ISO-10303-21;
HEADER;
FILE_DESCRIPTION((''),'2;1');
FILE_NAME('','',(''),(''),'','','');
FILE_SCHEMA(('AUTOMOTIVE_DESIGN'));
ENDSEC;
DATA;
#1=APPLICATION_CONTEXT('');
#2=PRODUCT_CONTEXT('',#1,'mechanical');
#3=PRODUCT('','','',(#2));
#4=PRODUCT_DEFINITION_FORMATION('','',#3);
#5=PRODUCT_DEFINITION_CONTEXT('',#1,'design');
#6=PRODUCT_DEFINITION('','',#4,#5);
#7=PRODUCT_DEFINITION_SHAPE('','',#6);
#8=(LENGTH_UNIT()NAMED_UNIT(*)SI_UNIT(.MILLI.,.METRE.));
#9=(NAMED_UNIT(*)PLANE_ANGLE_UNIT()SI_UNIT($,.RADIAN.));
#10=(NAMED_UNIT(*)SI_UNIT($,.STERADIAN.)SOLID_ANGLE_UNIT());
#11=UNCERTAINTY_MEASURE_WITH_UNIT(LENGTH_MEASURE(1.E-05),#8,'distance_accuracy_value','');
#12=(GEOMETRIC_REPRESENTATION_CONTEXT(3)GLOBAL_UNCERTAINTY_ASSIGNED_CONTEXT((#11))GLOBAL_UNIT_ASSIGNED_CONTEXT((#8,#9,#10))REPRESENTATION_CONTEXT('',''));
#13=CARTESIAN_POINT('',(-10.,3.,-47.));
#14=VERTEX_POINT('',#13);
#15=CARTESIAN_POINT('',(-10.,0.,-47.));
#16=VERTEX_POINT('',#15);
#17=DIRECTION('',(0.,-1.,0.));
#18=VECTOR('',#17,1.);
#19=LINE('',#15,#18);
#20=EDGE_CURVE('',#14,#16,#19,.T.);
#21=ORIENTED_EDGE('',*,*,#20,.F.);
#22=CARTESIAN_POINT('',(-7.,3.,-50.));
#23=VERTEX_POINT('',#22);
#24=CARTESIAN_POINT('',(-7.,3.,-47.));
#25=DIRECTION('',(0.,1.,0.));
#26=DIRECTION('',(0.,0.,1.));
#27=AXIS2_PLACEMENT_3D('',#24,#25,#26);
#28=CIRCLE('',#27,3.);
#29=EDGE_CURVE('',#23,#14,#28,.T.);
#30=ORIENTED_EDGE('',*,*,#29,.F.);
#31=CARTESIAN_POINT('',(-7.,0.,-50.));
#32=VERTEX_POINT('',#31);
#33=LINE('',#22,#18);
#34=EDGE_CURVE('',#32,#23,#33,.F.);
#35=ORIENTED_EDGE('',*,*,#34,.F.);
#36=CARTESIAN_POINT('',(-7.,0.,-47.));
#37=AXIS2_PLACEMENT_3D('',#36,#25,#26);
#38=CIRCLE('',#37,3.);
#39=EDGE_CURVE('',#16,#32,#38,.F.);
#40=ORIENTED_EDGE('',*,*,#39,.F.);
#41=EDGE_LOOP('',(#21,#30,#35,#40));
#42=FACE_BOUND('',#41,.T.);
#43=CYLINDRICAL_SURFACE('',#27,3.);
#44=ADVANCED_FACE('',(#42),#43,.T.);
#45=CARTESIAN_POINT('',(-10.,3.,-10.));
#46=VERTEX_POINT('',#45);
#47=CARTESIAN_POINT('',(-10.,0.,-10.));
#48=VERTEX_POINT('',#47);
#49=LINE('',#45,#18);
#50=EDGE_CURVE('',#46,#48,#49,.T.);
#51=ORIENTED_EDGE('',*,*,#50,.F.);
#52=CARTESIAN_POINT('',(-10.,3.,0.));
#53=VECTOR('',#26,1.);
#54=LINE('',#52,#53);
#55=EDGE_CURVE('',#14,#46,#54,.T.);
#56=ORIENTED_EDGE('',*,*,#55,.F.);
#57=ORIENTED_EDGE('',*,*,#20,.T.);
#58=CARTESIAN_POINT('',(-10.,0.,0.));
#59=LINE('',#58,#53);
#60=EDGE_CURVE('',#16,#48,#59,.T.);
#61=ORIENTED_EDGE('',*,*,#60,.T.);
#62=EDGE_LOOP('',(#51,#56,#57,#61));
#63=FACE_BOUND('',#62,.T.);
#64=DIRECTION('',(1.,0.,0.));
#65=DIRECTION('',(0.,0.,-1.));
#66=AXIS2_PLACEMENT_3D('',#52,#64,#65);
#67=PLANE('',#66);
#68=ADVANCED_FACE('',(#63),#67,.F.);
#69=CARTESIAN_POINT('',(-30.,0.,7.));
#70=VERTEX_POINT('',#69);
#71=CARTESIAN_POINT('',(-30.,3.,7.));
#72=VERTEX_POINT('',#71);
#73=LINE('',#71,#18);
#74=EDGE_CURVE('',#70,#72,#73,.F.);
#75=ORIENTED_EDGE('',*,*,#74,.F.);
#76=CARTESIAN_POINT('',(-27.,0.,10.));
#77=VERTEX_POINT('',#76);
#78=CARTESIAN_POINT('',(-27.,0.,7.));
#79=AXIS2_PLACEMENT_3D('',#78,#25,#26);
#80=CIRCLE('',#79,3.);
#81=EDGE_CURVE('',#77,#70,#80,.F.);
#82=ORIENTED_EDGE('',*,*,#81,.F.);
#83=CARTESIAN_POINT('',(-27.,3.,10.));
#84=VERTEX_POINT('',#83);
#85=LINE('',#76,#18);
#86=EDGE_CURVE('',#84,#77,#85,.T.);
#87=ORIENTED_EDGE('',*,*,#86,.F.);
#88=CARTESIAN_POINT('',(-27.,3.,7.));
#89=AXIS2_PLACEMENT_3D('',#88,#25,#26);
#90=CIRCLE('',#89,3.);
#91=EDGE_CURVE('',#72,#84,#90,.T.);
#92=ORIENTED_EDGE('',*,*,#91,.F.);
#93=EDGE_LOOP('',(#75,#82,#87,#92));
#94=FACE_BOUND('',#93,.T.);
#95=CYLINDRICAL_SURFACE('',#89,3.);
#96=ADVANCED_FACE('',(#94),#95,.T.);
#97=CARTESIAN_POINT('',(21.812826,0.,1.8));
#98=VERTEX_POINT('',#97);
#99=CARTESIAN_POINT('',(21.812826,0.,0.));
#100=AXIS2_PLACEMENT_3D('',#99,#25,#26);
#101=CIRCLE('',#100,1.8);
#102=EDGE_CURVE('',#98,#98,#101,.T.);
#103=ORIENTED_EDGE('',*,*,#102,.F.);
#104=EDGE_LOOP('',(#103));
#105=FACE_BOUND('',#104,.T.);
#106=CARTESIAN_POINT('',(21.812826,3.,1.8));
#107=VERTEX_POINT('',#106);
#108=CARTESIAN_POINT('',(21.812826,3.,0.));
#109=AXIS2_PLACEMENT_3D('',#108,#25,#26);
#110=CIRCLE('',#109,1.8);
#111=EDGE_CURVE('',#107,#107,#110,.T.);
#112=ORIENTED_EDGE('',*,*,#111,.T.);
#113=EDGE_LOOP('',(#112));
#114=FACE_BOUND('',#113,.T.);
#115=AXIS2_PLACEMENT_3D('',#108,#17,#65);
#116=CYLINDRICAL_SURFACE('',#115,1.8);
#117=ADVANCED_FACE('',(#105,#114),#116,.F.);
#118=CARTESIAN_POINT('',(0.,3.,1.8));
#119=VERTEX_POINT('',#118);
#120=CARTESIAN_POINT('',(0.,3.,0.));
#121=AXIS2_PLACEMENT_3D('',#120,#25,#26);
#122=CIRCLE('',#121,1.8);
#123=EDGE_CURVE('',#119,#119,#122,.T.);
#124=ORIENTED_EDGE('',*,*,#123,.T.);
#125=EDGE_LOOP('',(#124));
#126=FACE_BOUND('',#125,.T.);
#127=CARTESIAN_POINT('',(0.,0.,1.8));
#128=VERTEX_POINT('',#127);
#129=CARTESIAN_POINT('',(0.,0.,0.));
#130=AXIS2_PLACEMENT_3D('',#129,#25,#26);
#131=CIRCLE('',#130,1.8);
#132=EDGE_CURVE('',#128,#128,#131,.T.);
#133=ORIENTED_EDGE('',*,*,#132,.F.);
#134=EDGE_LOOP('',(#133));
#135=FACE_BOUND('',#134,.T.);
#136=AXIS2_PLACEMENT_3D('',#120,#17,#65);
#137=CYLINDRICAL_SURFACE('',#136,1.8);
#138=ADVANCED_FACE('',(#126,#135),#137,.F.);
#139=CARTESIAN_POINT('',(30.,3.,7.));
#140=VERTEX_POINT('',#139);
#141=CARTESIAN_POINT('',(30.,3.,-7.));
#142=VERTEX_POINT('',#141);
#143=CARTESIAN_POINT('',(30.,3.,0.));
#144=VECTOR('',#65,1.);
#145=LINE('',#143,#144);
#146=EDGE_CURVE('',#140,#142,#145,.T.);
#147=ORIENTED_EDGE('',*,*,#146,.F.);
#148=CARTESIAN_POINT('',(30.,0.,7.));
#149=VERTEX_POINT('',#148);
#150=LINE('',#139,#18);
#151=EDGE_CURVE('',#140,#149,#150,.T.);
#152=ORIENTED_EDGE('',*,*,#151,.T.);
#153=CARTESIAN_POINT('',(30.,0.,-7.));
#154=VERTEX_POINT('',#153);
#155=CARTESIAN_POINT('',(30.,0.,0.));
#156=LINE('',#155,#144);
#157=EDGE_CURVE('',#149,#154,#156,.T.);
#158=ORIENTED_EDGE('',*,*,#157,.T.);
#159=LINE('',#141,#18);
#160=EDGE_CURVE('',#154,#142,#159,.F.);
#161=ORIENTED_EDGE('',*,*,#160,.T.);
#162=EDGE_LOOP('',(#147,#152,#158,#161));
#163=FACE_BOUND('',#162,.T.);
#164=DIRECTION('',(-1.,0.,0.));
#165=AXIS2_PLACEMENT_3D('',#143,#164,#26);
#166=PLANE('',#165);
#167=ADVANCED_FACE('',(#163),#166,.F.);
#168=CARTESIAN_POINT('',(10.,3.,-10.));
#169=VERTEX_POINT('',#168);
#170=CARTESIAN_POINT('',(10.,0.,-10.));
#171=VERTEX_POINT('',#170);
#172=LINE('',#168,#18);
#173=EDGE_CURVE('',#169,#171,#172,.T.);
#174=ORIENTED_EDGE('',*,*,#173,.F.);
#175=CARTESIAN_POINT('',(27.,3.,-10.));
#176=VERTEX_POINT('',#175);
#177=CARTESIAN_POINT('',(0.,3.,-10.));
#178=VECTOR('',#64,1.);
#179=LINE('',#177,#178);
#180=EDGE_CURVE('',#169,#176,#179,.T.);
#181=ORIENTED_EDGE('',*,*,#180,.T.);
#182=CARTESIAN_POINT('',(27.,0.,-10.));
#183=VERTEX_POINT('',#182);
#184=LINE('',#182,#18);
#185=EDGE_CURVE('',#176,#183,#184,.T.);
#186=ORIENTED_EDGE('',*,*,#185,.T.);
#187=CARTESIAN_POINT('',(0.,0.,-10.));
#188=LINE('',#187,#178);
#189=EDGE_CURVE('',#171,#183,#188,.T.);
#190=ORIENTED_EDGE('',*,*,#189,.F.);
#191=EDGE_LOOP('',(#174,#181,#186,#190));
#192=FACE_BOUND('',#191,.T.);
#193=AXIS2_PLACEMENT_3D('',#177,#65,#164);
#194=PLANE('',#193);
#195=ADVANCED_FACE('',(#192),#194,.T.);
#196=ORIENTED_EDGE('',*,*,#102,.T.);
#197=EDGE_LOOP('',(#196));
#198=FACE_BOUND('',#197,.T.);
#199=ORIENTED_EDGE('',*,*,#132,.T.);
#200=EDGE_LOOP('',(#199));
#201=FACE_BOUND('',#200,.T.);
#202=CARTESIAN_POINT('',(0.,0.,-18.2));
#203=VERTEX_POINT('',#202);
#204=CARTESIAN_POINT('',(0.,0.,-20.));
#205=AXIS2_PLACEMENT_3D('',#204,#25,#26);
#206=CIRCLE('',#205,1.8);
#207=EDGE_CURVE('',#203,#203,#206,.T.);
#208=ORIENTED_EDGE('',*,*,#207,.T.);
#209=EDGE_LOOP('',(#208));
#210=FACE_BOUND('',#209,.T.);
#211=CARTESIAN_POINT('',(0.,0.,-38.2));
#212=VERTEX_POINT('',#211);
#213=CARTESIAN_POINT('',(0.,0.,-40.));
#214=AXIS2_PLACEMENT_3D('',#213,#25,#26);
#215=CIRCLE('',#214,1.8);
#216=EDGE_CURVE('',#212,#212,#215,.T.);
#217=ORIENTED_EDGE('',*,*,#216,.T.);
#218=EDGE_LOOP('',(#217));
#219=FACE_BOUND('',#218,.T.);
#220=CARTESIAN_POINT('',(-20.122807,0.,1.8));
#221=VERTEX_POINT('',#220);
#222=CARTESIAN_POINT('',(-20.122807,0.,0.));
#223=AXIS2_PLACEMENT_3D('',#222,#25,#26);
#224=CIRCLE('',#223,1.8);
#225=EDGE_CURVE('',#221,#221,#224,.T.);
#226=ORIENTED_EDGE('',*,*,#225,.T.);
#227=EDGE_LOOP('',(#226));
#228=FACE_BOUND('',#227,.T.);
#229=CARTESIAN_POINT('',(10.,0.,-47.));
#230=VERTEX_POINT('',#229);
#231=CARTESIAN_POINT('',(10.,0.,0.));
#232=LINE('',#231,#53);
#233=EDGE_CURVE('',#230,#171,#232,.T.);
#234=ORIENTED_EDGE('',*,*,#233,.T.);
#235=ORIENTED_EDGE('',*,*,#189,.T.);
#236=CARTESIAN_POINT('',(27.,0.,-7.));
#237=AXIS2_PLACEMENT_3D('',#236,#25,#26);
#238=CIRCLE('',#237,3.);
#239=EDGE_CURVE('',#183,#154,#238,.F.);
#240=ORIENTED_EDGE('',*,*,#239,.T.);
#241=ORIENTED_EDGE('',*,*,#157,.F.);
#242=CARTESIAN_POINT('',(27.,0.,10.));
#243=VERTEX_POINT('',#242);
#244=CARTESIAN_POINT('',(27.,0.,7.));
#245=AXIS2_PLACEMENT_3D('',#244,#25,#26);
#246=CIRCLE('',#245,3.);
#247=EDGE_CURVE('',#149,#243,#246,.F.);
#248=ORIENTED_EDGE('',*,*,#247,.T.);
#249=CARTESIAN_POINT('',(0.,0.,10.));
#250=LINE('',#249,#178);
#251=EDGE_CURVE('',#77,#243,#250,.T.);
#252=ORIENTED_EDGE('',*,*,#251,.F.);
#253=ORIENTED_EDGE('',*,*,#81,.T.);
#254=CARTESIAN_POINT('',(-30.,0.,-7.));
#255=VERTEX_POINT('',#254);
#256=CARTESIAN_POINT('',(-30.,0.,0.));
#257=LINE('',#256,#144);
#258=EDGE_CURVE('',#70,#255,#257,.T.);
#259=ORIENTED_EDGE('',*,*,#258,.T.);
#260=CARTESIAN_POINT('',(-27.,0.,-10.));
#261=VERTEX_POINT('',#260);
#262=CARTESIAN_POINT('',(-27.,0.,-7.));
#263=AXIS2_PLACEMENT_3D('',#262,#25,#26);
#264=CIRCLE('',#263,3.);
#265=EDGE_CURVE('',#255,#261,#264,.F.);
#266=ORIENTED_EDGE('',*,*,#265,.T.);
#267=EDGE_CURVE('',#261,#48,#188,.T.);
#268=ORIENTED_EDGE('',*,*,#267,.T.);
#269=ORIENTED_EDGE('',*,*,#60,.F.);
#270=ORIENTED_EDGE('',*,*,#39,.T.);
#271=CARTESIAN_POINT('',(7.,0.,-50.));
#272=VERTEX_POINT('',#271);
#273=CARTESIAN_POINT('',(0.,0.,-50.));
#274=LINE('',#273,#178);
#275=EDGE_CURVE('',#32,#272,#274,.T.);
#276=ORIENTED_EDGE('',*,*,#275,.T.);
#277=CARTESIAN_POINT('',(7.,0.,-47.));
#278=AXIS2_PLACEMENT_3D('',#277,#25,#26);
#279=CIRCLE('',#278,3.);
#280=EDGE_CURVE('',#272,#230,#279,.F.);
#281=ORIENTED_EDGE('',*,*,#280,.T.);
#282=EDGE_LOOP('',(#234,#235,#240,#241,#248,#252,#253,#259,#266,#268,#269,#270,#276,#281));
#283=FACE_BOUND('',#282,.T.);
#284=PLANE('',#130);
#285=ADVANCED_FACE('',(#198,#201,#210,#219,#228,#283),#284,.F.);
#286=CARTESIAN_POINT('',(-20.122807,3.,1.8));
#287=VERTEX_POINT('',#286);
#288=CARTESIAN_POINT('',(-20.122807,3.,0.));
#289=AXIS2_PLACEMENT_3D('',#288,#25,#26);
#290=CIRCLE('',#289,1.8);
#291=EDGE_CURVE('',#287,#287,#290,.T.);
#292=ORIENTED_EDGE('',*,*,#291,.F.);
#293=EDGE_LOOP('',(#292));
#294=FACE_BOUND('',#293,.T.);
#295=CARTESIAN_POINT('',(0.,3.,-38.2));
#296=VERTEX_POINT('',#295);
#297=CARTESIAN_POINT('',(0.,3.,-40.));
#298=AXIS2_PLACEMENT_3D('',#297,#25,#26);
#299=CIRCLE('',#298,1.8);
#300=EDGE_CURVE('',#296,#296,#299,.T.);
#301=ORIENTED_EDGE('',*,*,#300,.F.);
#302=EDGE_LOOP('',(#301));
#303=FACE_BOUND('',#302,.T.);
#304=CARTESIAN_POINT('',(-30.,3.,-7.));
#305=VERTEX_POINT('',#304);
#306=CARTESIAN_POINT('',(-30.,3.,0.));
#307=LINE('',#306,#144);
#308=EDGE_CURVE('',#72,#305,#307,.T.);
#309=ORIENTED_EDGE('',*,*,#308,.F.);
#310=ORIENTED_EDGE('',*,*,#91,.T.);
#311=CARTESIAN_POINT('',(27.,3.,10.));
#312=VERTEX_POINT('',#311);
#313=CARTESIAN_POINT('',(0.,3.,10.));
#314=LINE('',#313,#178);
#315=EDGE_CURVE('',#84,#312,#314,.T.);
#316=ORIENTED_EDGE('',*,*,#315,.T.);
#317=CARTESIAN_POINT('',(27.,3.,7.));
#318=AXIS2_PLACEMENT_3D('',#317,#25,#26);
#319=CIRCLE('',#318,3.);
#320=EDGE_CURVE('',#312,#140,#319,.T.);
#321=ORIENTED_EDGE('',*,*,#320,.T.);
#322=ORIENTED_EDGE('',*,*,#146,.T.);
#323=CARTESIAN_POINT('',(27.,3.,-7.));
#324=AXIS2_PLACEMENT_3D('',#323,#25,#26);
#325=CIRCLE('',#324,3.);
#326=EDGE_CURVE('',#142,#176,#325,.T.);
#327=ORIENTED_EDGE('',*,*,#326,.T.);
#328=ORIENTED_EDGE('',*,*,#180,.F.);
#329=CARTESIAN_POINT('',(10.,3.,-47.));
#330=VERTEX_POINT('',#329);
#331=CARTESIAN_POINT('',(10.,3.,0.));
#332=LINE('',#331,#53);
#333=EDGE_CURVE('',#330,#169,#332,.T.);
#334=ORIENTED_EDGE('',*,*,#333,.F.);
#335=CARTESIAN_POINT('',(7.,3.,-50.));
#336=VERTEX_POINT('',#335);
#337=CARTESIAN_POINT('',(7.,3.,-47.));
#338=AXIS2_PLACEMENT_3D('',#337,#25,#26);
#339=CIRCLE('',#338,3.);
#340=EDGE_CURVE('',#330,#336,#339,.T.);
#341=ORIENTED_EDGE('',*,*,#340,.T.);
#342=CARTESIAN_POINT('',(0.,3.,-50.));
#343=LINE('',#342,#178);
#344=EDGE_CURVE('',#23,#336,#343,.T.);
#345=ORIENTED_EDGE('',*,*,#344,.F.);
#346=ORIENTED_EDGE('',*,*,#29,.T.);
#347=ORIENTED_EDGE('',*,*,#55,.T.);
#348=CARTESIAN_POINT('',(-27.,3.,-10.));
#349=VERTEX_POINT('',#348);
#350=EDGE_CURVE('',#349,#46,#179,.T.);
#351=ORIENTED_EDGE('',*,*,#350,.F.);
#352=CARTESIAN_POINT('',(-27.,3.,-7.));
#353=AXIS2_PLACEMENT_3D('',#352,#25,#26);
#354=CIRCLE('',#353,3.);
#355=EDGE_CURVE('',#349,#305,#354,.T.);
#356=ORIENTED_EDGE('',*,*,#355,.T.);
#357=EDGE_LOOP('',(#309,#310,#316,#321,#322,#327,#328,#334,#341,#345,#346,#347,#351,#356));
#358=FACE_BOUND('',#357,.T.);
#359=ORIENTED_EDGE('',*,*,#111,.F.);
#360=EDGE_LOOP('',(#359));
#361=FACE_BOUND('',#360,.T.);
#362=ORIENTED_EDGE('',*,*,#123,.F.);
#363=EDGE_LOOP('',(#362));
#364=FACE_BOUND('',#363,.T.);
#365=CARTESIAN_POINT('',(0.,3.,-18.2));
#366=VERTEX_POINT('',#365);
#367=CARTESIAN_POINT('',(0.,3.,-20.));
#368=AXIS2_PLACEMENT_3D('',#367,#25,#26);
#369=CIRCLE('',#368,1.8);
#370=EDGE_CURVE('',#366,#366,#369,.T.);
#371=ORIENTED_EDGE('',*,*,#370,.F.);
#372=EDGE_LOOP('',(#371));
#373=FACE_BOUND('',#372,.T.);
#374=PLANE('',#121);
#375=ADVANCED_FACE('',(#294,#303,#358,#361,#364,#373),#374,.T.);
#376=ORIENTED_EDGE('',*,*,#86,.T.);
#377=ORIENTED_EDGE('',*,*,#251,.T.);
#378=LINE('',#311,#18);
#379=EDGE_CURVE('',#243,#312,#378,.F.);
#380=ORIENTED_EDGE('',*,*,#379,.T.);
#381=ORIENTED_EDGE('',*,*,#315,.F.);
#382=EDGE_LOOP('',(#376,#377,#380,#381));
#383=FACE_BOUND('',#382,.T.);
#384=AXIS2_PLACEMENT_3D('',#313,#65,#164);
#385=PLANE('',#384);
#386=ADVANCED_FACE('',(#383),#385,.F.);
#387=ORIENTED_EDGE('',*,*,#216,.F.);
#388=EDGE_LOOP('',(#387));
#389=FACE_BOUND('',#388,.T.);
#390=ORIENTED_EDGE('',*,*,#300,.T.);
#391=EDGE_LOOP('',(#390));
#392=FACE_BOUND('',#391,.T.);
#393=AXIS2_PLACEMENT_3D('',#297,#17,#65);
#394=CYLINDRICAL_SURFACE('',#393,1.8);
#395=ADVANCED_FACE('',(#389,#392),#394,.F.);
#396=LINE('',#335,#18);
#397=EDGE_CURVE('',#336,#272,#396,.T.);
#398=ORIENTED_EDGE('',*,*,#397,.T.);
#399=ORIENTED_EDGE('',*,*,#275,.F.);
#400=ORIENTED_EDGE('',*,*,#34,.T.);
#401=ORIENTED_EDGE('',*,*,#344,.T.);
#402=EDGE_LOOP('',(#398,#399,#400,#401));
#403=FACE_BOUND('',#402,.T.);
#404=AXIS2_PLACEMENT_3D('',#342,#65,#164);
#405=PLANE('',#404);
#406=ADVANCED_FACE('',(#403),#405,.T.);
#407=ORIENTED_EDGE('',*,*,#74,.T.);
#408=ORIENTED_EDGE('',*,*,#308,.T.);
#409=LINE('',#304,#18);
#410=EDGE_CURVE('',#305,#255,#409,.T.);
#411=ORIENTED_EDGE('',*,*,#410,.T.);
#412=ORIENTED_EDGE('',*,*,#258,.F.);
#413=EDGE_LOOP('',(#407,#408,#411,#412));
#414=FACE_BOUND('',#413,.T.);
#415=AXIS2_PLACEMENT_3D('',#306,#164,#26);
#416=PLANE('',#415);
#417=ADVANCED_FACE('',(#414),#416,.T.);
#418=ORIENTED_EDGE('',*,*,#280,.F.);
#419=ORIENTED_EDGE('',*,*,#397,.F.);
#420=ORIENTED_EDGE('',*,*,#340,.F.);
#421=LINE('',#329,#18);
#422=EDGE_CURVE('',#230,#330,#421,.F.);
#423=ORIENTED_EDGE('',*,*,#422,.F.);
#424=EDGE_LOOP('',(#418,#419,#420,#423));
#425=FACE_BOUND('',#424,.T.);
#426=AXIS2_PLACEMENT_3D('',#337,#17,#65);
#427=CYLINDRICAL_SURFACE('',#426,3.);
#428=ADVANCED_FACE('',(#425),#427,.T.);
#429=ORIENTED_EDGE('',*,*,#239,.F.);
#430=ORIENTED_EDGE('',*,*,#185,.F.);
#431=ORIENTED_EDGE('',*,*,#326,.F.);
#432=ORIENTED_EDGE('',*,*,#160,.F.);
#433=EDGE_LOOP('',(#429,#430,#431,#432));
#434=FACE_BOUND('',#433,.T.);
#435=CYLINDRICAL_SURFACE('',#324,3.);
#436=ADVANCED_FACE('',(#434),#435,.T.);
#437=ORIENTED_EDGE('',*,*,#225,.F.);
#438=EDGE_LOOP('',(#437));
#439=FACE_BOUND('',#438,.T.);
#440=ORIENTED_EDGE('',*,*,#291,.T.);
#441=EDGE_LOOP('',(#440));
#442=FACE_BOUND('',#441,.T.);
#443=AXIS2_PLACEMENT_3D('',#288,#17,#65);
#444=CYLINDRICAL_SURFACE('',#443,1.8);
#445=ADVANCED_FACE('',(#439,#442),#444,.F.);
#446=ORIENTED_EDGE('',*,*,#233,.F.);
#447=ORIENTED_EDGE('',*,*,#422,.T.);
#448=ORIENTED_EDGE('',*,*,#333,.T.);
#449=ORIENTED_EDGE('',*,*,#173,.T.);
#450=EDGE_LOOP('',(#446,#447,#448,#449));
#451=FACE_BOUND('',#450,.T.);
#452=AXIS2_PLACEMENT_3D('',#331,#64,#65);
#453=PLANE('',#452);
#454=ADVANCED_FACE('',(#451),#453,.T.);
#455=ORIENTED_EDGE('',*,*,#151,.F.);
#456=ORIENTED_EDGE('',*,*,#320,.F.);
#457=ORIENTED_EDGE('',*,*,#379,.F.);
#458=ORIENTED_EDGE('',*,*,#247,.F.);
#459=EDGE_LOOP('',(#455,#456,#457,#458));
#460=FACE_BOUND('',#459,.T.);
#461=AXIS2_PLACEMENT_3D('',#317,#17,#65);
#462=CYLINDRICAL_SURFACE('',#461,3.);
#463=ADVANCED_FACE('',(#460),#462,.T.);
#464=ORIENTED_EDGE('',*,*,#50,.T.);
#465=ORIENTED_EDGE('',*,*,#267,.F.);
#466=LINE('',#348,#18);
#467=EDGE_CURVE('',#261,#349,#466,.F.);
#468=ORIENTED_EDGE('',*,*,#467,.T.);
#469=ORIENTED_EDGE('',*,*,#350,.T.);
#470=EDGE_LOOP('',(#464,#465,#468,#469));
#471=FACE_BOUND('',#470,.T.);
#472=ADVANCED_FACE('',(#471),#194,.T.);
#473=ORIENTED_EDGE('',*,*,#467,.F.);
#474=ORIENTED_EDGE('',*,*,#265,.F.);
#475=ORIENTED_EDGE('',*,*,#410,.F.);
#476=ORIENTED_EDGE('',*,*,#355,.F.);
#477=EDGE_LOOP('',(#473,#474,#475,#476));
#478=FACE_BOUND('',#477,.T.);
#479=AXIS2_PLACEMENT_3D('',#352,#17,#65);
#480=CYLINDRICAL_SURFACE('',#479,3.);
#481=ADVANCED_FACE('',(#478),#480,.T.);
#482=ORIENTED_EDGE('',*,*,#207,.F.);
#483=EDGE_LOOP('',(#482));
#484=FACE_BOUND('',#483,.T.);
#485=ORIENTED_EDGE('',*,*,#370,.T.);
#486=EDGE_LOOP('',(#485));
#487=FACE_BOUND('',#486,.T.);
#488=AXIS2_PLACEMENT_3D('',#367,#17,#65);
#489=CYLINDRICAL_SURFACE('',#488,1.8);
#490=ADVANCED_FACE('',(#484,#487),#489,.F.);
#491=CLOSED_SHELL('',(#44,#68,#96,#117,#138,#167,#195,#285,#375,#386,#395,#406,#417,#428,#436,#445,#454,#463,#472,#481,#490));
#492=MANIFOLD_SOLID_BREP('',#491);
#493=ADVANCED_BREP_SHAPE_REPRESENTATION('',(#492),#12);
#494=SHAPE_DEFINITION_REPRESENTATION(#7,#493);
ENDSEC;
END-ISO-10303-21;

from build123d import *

# Parameters (mm, degrees)
SKETCH_2_W      = 20
SKETCH_2_H      = 40
SKETCH_2_R      = 1.8
SKETCH_2_W_2    = 60
SKETCH_2_H_2    = 20
EXTRUDE_1_DEPTH = 3
FILLET_1_R      = 3


with BuildPart() as part:
    # 草图2 → 凸台-拉伸1 (new body)
    # profile 1 of 2: a face of its own
    with BuildSketch(Plane(origin=(0, 0, 0), x_dir=(1, 0, 0), z_dir=(0, 1, 0))):
        with Locations((0, 30)):
            Rectangle(SKETCH_2_W, SKETCH_2_H)
        with Locations(Location((0, 20, 0), (0, 0, 270))):
            Circle(SKETCH_2_R, mode=Mode.SUBTRACT)
        with Locations(Location((0, 40, 0), (0, 0, 270))):
            Circle(SKETCH_2_R, mode=Mode.SUBTRACT)
    # profile 2 of 2: a face of its own
    with BuildSketch(Plane(origin=(0, 0, 0), x_dir=(1, 0, 0), z_dir=(0, 1, 0))):
        Rectangle(SKETCH_2_W_2, SKETCH_2_H_2)
        with Locations(Location((0, 0, 0), (0, 0, 270))):
            Circle(SKETCH_2_R, mode=Mode.SUBTRACT)
        with Locations(Location((-20.122806929, 0, 0), (0, 0, 270))):
            Circle(SKETCH_2_R, mode=Mode.SUBTRACT)
        with Locations(Location((21.812825763, 0, 0), (0, 0, 270))):
            Circle(SKETCH_2_R, mode=Mode.SUBTRACT)
    extrude(amount=EXTRUDE_1_DEPTH)

    # 圆角1
    fillet_1_edges = [part.edges().sort_by_distance(p)[0] for p in [
        (30, 1.5, -10),
        (30, 1.5, 10),
        (-30, 1.5, 10),
        (-30, 1.5, -10),
        (-10, 1.5, -50),
        (10, 1.5, -50),
    ]]
    fillet(fillet_1_edges, radius=FILLET_1_R)


solid = part.part
